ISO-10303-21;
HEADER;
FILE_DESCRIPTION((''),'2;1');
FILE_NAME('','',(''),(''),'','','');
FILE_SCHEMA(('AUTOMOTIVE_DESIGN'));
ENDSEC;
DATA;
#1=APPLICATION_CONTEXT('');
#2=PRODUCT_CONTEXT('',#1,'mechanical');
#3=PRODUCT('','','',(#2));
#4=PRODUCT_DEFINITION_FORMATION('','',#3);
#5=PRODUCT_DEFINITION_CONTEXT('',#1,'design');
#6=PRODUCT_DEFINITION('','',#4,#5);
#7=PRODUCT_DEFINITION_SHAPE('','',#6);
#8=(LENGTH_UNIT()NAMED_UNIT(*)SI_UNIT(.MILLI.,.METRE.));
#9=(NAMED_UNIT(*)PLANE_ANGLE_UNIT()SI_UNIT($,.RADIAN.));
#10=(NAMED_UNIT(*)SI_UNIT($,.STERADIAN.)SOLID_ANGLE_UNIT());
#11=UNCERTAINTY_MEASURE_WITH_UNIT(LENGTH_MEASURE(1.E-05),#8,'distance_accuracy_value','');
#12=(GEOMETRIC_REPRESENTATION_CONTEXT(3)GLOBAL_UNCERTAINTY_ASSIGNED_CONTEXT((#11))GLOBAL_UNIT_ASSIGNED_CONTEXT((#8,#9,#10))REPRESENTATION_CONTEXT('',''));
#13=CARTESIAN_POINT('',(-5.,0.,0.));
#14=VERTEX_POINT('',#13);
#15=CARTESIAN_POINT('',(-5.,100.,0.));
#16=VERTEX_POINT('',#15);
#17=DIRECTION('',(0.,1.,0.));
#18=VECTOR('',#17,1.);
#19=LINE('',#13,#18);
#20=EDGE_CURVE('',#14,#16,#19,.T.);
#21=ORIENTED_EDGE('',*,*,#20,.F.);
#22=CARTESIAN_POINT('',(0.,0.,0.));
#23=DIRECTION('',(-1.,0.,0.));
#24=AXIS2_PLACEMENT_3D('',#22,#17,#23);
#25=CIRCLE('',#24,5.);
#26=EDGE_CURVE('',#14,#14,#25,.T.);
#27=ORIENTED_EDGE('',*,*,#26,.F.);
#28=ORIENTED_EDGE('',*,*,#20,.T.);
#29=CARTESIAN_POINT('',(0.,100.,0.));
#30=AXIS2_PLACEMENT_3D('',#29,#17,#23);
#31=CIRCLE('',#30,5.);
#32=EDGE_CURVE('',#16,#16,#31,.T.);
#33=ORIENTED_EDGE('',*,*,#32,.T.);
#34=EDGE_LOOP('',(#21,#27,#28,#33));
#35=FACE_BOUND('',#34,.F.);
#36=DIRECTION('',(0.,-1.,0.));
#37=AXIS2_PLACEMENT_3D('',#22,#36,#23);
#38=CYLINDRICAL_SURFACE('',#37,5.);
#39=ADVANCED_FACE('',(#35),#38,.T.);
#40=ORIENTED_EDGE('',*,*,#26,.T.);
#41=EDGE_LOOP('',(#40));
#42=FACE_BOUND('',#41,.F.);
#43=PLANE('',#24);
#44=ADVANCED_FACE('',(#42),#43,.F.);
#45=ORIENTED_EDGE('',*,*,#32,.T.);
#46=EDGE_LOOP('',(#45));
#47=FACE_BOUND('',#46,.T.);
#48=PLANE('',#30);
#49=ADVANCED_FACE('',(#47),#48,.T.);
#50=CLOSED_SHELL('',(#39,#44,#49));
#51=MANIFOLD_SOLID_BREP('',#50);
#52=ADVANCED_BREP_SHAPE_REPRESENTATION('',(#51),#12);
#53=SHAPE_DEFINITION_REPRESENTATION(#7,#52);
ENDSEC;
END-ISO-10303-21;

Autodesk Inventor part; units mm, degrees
ref_plane "YZ Plane" through (0, 0, 0) normal (1, 0, 0) x (0, 1, 0)
ref_plane "XZ Plane" through (0, 0, 0) normal (0, 1, 0) x (-1, 0, 0)
ref_plane "XY Plane" through (0, 0, 0) normal (0, 0, 1) x (1, 0, 0)
sketch "Szkic1" plane through (0, 0, 0) normal (0, 1, 0) x (-1, 0, 0)
  circle A0 centre (0, 0) radius 5
  dimension "d0" = 10
extrude "Wyciągnięcie proste1" add sketch "Szkic1" along normal blind 100
properties part number "short_tibia"
